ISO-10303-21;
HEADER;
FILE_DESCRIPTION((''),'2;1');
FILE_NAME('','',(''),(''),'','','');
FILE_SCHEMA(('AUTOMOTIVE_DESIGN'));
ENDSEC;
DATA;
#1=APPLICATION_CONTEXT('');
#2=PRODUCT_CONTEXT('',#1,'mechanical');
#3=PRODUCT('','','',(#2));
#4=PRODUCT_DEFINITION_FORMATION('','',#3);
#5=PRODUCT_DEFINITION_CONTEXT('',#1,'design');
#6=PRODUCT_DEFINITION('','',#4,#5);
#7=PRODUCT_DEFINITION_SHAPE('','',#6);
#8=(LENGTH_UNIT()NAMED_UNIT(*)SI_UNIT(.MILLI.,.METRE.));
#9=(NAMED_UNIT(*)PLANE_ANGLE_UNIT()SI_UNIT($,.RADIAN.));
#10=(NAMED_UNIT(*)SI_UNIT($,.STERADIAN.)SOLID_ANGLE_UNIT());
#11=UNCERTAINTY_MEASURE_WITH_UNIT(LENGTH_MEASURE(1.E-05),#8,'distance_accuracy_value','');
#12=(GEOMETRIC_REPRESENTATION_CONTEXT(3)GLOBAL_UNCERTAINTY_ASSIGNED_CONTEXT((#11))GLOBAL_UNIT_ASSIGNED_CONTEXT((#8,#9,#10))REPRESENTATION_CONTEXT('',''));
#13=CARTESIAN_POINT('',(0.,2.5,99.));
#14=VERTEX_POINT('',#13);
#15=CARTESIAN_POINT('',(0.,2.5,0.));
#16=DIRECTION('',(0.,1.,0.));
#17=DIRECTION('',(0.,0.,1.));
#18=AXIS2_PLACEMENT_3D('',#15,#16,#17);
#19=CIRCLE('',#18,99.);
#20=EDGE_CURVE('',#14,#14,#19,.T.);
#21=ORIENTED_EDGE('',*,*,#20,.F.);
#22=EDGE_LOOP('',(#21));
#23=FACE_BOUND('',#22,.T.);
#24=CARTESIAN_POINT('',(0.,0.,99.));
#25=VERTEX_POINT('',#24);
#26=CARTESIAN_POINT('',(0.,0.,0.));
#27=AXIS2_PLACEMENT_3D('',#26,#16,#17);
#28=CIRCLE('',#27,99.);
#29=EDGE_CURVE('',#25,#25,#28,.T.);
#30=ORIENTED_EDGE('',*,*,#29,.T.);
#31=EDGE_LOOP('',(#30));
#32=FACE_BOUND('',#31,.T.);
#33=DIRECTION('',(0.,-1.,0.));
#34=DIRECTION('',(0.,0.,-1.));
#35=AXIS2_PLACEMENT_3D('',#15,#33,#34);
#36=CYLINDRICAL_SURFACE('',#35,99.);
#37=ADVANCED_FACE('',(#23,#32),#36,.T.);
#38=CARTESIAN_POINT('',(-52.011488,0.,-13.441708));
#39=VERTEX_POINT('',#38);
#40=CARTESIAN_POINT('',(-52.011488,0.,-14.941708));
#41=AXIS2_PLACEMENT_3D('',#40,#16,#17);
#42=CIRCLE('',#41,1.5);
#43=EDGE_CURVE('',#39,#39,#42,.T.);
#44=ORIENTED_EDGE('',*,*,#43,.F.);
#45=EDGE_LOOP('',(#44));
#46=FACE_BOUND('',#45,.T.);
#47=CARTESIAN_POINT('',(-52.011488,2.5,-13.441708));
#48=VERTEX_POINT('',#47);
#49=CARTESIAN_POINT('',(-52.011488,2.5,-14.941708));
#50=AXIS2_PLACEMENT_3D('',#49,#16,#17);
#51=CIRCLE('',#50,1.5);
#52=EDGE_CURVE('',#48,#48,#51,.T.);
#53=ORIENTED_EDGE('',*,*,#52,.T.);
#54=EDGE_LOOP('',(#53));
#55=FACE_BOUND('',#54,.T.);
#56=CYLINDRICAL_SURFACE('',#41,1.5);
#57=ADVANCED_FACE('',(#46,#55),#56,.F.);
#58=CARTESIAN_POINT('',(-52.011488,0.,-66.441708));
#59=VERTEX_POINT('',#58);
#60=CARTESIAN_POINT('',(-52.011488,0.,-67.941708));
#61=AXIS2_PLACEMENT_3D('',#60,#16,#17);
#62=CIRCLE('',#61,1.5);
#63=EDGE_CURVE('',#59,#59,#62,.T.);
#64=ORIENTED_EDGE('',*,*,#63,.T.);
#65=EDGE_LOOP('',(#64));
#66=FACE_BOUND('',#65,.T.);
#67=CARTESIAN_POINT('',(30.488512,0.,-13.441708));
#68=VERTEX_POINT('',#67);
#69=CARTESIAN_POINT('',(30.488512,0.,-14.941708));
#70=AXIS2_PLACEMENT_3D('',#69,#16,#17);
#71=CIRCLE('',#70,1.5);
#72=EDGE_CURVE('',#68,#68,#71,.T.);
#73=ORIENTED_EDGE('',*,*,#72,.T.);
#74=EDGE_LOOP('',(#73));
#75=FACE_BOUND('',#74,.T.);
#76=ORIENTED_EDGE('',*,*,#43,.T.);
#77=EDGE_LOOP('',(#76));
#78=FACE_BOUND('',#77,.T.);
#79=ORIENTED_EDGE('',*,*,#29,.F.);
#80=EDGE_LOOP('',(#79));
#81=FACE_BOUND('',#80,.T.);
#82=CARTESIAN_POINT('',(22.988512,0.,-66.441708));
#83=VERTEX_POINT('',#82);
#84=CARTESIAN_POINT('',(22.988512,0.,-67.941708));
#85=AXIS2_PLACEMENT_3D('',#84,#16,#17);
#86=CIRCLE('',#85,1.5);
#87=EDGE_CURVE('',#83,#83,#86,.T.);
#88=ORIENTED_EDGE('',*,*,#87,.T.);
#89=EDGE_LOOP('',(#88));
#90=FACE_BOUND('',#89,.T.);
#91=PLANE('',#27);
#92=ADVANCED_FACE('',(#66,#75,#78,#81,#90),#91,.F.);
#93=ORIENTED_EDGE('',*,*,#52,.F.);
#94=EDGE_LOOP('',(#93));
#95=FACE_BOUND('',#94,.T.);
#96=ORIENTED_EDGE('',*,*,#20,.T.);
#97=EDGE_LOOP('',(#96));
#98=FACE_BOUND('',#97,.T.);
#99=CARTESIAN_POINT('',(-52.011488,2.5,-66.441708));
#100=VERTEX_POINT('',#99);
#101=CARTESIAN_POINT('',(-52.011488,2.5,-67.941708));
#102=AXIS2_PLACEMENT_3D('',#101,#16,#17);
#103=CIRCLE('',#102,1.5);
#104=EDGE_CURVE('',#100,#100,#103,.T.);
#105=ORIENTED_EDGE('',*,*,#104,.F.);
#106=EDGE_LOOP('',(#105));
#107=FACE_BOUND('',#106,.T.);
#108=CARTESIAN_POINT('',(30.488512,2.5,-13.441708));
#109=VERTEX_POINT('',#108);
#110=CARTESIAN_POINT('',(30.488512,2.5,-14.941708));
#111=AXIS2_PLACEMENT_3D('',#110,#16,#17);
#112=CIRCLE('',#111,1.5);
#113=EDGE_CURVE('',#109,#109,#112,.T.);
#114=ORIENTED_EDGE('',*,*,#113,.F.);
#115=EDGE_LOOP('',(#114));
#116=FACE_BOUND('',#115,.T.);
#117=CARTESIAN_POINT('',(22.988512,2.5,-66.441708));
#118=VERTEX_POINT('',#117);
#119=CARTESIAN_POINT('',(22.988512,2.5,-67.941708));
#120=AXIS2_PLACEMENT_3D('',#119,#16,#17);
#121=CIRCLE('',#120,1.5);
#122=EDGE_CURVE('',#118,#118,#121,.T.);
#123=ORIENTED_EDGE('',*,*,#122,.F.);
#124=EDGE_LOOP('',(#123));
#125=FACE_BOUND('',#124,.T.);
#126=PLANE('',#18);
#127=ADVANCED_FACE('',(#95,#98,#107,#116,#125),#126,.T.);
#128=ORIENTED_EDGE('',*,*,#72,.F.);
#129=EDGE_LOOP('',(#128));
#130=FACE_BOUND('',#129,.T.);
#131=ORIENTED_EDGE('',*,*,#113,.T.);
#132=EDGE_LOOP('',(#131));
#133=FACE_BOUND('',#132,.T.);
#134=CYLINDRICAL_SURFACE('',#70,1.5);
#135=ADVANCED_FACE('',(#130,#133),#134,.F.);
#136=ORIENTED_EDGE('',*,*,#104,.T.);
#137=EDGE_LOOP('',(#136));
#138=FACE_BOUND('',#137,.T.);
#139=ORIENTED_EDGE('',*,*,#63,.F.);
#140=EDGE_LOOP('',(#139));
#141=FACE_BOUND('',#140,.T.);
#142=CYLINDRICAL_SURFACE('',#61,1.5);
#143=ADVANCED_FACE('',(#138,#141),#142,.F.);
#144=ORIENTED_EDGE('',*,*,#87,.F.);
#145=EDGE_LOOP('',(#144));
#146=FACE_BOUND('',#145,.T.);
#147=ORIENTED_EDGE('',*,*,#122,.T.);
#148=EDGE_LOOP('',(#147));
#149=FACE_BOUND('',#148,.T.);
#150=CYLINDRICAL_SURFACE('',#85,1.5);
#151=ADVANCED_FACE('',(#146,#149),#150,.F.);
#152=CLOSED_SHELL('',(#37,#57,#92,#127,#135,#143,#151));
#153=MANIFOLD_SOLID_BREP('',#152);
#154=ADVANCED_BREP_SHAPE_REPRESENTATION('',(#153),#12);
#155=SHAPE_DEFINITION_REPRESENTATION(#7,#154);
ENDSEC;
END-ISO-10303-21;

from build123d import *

# Parameters (mm, degrees)
SKETCH1_R           = 99
BOSS_EXTRUDE1_DEPTH = 2.5
SKETCH2_R           = 96.5
CUT_EXTRUDE1_DEPTH  = 2.5
SKETCH3_R           = 96.5
SKETCH3_R_2         = 1.5
BOSS_EXTRUDE3_DEPTH = 2.5


with BuildPart() as part:
    # Sketch1 → Boss-Extrude1 (new body)
    with BuildSketch(Plane(origin=(0, 0, 0), x_dir=(1, 0, 0), z_dir=(0, 1, 0))):
        with Locations(Location((0, 0, 0), (0, 0, 270))):
            Circle(SKETCH1_R)
    extrude(amount=BOSS_EXTRUDE1_DEPTH)

    # Sketch2 → Cut-Extrude1 (cut)
    with BuildSketch(Plane(origin=(0, 2.5, 0), x_dir=(1, 0, 0), z_dir=(0, 1, 0))):
        with Locations(Location((0, 0, 0), (0, 0, 270))):
            Circle(SKETCH2_R)
    extrude(amount=-CUT_EXTRUDE1_DEPTH, mode=Mode.SUBTRACT)

    # Sketch3 → Boss-Extrude3 (add)
    with BuildSketch(Plane(origin=(0, 2.5, 0), x_dir=(1, 0, 0), z_dir=(0, 1, 0))):
        Circle(SKETCH3_R)
        with Locations(Location((-52.01148814, 14.941708329, 0), (0, 0, 270))):
            Circle(SKETCH3_R_2, mode=Mode.SUBTRACT)
        with Locations(Location((-52.01148814, 67.941708329, 0), (0, 0, 270))):
            Circle(SKETCH3_R_2, mode=Mode.SUBTRACT)
        with Locations(Location((22.98851186, 67.941708329, 0), (0, 0, 270))):
            Circle(SKETCH3_R_2, mode=Mode.SUBTRACT)
        with Locations(Location((30.48851186, 14.941708329, 0), (0, 0, 270))):
            Circle(SKETCH3_R_2, mode=Mode.SUBTRACT)
    extrude(amount=-BOSS_EXTRUDE3_DEPTH)


solid = part.part
